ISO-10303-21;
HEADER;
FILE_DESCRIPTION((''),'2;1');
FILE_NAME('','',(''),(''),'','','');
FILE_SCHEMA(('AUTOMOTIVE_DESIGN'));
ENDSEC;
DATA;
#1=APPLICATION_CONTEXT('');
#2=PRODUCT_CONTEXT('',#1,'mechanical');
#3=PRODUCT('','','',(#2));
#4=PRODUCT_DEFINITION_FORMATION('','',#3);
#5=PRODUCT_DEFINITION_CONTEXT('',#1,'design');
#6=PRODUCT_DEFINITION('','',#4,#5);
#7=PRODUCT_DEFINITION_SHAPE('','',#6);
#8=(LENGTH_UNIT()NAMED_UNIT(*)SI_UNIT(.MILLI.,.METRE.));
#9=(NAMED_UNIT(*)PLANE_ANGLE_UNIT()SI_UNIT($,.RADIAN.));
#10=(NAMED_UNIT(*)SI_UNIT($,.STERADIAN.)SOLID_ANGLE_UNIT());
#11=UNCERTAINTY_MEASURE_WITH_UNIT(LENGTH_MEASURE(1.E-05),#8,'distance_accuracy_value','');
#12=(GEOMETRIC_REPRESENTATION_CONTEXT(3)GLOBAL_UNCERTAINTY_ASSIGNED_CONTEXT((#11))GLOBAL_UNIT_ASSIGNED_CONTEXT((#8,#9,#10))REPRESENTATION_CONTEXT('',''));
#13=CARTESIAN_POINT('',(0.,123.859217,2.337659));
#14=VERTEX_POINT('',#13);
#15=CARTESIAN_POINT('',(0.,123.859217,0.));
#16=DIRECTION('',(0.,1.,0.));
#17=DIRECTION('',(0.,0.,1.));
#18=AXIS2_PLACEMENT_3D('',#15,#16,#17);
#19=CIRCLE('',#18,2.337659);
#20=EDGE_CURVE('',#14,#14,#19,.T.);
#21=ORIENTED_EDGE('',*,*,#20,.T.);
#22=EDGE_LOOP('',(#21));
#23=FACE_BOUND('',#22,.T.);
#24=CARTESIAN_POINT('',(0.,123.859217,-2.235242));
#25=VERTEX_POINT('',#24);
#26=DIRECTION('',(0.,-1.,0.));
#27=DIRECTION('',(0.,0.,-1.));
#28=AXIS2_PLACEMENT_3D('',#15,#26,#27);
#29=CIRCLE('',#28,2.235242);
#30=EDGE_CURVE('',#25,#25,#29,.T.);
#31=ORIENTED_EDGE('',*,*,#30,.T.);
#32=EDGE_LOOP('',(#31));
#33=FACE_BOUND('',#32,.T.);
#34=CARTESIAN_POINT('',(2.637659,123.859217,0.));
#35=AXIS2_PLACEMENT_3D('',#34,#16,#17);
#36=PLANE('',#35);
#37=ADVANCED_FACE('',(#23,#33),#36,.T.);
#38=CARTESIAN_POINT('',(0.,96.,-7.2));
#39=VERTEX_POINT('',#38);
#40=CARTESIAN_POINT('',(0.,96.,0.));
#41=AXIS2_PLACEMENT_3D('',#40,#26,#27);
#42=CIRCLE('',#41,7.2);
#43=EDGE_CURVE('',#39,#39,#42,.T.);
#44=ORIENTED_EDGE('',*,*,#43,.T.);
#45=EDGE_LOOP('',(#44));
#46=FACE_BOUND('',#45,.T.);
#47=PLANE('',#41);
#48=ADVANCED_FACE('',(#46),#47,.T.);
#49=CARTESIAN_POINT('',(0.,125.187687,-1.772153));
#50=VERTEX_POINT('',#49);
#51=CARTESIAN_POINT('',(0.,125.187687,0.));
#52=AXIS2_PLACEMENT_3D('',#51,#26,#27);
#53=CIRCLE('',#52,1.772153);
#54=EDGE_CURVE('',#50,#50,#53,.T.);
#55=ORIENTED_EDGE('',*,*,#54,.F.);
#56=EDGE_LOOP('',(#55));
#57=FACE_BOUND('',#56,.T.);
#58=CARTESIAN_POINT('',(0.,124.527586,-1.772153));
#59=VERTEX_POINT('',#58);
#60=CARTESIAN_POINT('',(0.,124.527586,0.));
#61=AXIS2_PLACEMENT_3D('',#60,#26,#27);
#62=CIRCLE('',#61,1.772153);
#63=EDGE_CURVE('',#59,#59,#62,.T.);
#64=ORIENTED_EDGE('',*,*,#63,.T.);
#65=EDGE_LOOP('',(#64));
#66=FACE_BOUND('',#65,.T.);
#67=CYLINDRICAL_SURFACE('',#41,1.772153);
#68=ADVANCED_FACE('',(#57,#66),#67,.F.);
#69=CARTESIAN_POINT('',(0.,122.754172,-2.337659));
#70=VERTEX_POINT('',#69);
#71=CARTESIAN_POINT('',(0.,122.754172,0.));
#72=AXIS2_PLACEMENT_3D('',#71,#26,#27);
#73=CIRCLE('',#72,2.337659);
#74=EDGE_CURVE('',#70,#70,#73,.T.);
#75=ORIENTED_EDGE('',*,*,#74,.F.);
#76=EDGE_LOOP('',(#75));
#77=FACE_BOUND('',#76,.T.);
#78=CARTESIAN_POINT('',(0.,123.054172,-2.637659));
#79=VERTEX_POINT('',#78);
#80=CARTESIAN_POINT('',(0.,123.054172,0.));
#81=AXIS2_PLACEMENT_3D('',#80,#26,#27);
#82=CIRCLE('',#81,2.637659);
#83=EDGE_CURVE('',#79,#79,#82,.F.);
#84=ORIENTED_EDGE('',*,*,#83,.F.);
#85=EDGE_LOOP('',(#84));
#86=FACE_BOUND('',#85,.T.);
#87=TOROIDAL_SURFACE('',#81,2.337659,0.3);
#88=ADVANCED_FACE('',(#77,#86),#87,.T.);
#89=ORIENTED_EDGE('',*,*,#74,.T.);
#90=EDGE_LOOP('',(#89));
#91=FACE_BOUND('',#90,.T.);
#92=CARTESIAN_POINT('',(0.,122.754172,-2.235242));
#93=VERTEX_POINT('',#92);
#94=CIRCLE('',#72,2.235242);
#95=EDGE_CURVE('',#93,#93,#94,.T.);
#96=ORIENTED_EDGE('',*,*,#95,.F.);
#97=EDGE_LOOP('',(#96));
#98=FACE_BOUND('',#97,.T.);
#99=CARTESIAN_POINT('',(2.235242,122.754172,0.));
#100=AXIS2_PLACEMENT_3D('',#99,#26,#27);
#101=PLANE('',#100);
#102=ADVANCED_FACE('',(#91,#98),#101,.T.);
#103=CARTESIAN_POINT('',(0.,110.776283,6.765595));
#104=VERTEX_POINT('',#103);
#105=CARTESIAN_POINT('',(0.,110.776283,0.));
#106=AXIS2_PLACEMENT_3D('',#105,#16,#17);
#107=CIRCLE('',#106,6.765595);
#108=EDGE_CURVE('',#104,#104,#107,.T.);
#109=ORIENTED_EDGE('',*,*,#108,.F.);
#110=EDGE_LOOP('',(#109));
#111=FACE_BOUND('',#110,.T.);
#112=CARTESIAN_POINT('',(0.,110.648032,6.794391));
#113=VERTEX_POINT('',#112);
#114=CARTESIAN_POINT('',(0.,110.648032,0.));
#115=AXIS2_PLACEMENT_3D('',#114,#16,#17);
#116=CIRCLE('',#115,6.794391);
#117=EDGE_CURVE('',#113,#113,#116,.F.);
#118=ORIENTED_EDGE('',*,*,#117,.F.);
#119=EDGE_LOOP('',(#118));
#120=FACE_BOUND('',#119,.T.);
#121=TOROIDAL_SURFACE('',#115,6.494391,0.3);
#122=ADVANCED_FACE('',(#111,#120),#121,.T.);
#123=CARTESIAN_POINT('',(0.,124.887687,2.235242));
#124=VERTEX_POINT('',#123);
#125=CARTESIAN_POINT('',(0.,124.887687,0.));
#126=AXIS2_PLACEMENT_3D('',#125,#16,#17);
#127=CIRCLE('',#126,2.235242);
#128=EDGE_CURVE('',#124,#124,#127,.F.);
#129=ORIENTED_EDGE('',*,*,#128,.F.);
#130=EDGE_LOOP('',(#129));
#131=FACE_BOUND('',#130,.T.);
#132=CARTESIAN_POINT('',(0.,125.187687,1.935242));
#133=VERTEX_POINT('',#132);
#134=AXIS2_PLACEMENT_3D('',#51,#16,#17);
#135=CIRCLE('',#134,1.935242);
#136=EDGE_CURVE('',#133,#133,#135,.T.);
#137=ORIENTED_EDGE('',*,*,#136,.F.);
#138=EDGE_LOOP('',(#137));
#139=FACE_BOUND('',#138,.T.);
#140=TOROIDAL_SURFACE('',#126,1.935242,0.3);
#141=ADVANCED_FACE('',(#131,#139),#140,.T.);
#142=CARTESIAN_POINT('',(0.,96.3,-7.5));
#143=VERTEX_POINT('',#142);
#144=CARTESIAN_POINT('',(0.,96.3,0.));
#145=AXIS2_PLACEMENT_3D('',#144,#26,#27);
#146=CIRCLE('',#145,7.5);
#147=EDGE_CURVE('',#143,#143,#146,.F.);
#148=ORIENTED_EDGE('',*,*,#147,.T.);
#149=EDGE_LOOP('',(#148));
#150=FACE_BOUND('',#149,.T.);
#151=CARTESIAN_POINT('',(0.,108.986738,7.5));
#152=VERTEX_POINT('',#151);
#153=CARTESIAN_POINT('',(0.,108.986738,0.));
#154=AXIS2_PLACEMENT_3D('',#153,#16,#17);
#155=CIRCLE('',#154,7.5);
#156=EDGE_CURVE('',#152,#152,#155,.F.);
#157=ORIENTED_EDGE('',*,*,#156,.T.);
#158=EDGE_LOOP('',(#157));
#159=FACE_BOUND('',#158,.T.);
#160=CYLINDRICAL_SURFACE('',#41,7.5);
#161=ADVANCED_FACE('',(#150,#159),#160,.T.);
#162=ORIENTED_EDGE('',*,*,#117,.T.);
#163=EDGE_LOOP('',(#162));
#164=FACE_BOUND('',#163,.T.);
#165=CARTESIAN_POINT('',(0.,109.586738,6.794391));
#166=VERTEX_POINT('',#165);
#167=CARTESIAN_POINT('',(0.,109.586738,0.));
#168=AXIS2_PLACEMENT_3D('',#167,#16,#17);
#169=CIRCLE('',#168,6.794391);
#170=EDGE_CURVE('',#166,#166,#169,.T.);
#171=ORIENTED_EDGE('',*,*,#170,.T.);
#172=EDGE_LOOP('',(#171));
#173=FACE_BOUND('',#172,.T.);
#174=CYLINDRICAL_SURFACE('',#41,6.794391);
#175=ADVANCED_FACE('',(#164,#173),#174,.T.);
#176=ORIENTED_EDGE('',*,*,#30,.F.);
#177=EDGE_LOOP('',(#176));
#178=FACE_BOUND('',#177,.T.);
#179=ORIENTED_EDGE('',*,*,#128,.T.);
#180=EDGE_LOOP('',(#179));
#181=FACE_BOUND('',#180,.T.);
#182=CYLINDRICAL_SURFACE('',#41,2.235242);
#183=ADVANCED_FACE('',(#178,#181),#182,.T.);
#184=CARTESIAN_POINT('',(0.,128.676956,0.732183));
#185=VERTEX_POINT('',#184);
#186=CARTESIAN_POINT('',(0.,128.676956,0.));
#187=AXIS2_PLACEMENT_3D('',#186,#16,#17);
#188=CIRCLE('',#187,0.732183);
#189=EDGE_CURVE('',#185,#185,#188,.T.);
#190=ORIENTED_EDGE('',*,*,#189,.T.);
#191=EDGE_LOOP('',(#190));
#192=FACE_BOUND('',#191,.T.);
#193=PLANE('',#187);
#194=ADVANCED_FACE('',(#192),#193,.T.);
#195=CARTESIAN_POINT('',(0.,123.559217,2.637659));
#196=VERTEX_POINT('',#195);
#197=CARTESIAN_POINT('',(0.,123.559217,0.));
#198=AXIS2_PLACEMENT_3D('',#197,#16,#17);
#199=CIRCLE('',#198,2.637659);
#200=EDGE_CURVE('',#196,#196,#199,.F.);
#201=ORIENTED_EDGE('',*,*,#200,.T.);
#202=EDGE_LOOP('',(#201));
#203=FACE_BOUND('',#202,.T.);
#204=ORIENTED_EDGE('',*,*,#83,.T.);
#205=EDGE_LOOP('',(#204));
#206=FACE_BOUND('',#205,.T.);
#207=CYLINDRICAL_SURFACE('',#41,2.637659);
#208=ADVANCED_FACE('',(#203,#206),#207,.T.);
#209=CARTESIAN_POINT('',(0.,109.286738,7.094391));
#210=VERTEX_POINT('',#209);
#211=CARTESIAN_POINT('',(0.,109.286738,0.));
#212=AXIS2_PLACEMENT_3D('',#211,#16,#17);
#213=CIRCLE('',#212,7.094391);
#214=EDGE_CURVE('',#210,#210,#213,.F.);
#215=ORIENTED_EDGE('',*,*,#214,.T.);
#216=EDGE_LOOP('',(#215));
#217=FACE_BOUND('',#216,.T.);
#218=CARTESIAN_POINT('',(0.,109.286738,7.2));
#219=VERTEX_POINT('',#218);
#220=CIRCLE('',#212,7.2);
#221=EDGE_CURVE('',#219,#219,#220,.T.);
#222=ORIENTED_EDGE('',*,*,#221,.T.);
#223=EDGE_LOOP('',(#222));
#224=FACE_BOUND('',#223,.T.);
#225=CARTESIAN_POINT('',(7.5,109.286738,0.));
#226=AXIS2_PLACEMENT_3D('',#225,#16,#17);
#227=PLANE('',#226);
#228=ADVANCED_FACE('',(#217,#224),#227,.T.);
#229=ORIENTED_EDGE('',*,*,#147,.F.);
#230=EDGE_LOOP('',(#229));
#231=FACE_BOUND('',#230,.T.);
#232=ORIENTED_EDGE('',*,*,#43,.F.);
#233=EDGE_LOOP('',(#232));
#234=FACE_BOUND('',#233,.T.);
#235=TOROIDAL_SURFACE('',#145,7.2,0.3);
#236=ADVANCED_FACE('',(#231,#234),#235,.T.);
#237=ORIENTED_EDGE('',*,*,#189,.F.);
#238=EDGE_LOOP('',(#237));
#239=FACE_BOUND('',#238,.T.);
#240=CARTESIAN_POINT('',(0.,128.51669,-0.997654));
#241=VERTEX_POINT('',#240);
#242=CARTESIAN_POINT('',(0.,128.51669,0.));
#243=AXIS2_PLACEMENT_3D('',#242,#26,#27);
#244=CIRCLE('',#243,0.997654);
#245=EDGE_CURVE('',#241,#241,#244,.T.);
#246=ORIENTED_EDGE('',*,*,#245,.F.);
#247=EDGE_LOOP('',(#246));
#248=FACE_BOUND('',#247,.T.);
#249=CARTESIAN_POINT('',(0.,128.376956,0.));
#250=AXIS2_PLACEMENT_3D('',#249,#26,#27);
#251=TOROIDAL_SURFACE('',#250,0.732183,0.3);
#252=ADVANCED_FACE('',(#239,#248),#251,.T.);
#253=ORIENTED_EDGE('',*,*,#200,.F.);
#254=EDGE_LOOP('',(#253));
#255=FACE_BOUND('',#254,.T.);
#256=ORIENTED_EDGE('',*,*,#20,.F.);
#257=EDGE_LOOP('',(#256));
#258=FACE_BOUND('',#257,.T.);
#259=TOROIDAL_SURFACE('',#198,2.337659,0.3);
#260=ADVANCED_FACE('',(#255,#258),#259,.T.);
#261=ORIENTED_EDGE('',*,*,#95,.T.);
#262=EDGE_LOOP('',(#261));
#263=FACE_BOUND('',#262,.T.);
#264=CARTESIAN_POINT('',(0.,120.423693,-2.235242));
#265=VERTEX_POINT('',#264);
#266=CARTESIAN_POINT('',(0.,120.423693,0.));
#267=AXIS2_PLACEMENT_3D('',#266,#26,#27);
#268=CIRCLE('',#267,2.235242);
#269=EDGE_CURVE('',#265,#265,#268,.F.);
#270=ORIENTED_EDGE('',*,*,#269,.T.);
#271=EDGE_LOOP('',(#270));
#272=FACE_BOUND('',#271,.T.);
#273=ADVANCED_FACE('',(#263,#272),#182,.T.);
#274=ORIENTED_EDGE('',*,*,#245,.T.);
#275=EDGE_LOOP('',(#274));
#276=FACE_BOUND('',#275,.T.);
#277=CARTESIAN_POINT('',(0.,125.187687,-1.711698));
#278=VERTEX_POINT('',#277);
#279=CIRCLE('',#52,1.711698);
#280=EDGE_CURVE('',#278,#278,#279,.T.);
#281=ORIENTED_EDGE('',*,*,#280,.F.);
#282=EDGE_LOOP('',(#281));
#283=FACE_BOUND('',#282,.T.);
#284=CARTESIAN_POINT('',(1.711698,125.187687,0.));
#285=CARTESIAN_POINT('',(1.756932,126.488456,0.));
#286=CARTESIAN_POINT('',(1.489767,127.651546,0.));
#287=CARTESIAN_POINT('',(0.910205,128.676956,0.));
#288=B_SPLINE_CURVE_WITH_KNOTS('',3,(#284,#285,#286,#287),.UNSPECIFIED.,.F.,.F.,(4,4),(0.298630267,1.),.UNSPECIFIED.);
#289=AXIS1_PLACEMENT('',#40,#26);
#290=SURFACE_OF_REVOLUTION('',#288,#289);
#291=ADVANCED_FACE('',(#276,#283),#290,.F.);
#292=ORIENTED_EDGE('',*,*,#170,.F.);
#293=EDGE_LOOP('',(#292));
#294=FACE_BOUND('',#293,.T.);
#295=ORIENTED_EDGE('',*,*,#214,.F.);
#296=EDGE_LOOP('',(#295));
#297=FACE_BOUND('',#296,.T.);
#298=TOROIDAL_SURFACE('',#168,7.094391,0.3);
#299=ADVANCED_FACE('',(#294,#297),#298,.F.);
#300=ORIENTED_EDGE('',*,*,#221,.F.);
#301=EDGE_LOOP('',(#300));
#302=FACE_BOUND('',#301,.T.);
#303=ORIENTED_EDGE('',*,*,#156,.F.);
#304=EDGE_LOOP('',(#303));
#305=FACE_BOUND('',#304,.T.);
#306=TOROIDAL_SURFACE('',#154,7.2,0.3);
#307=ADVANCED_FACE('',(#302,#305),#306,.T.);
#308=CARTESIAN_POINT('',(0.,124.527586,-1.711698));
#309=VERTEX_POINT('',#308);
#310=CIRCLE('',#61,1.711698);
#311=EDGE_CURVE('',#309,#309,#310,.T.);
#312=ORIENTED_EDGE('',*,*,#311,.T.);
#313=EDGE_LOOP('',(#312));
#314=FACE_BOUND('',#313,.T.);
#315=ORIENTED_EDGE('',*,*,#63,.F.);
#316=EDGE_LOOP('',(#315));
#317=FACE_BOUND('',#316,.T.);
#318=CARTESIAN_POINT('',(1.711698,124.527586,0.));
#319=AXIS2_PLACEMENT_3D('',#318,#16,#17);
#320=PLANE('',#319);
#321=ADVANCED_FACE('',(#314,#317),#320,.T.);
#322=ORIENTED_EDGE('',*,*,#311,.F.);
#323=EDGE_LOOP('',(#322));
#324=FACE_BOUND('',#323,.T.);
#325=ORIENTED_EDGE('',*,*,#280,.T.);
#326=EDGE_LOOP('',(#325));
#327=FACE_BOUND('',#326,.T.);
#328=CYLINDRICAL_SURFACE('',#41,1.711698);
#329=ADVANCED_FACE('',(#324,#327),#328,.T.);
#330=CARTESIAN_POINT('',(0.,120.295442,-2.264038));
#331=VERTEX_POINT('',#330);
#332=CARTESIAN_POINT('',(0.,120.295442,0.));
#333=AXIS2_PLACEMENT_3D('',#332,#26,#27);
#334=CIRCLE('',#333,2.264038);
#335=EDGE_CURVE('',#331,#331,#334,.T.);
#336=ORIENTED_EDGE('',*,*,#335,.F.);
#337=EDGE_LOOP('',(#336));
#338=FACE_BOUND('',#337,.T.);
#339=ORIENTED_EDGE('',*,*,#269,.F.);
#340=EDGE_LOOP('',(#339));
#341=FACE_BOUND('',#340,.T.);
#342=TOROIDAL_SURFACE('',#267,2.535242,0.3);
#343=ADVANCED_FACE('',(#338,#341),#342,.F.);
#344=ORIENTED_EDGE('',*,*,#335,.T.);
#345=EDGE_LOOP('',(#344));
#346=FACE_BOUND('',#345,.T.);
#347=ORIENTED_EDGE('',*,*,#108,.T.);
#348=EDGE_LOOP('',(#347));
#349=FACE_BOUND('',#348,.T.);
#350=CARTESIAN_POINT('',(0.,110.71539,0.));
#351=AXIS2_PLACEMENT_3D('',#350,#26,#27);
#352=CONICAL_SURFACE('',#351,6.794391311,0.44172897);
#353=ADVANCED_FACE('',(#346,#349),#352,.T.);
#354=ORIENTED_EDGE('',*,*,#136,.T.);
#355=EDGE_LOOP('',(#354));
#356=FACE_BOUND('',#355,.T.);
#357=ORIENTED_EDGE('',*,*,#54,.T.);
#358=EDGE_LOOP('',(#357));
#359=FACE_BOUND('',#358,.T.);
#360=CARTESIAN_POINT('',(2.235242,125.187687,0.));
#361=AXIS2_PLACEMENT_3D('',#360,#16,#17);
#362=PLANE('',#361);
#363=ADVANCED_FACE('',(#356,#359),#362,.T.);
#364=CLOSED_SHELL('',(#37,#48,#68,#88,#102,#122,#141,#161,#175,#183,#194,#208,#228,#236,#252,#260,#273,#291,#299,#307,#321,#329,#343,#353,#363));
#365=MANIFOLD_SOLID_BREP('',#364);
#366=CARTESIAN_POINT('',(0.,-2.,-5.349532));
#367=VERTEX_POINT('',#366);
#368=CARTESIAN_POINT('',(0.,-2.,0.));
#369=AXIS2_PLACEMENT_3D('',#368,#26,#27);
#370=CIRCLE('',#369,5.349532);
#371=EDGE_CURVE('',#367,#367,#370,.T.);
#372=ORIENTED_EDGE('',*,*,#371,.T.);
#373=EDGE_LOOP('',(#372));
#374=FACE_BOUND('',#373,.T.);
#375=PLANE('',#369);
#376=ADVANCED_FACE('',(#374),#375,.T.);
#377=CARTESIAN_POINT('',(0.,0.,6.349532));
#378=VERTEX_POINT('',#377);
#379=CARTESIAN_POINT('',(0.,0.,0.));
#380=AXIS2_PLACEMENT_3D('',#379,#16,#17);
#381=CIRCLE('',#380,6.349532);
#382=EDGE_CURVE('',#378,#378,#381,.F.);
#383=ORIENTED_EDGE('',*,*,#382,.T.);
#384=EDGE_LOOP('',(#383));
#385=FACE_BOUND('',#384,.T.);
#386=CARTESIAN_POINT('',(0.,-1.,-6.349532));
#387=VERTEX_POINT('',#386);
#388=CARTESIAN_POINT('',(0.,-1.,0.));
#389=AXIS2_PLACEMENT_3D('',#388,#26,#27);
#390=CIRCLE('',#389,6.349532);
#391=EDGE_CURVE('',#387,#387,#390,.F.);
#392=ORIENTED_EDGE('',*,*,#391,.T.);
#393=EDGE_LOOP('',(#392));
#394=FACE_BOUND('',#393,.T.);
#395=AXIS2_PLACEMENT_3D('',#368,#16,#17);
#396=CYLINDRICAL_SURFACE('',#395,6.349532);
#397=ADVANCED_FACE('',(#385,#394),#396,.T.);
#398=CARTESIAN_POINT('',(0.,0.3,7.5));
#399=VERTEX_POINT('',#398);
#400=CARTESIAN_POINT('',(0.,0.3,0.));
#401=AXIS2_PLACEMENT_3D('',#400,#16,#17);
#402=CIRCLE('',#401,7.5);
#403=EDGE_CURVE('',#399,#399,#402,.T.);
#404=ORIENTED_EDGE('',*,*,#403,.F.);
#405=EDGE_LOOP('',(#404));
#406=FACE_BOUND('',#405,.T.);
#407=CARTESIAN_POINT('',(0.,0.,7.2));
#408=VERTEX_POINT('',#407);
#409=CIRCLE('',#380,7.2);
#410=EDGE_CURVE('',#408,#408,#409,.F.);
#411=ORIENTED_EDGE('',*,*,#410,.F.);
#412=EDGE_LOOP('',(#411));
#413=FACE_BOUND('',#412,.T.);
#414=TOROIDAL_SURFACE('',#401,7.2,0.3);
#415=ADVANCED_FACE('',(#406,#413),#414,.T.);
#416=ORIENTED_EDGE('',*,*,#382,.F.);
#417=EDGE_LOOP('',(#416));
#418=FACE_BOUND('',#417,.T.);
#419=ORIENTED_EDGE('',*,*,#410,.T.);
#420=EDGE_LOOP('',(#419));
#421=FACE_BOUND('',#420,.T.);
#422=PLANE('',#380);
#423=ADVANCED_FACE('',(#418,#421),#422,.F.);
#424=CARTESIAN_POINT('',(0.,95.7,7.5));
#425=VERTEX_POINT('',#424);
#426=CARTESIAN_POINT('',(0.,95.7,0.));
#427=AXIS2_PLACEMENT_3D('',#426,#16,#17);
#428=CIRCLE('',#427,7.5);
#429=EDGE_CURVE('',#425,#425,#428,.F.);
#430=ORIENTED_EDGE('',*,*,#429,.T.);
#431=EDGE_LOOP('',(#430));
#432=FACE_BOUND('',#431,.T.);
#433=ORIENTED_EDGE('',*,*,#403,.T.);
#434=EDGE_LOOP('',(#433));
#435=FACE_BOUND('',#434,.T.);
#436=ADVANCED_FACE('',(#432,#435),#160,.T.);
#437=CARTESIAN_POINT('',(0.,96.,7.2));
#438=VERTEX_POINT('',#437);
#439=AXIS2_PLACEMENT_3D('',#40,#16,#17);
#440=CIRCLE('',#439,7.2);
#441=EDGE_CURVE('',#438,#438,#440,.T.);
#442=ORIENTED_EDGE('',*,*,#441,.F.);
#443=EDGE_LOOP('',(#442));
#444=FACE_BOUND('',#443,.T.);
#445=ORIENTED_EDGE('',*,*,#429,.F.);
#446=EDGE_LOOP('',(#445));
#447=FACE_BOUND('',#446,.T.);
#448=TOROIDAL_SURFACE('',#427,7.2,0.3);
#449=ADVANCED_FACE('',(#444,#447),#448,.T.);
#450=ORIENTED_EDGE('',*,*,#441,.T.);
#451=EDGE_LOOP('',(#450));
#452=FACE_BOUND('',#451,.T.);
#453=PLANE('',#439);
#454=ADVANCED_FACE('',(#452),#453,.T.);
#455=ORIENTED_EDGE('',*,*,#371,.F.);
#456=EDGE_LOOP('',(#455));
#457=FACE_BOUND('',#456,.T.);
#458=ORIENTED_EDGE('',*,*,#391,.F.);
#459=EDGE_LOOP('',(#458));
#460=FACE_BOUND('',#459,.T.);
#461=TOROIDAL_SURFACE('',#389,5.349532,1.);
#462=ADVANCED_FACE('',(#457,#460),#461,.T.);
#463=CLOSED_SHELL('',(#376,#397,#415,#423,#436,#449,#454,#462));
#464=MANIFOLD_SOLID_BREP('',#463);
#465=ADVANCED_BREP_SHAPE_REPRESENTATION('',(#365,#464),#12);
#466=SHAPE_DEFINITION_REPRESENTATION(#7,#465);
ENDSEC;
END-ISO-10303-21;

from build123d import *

# Parameters (mm, degrees)
SKETCH1_R           = 7.5
BOSS_EXTRUDE1_DEPTH = 96
FILLET1_R           = 0.3
SKETCH2_R           = 6.349532221
BOSS_EXTRUDE2_DEPTH = 2
FILLET2_R           = 0.3
FILLET3_R           = 0.3
FILLET4_R           = 1


with BuildPart() as part:
    # Sketch1 → Boss-Extrude1 (new body)
    with BuildSketch(Plane(origin=(0, 0, 0), x_dir=(1, 0, 0), z_dir=(0, 1, 0))):
        with Locations(Location((0, 0, 0), (0, 0, 270))):
            Circle(SKETCH1_R)
    extrude(amount=BOSS_EXTRUDE1_DEPTH)

    # Fillet1
    fillet1_edges = [part.edges().sort_by_distance(p)[0] for p in [
        (0, 0, -7.5),
        (0, 96, -7.5),
    ]]
    fillet(fillet1_edges, radius=FILLET1_R)

    # Sketch2 → Boss-Extrude2 (add)
    with BuildSketch(Plane(origin=(0, 0, 0), x_dir=(-1, 0, 0), z_dir=(0, -1, 0))):
        with Locations(Location((0, 0, 0), (0, 0, 270))):
            Circle(SKETCH2_R)
    extrude(amount=BOSS_EXTRUDE2_DEPTH)

    # Fillet4
    fillet4_edges = [part.edges().sort_by_distance(p)[0] for p in [
        (0, -2, -6.349532221),
    ]]
    fillet(fillet4_edges, radius=FILLET4_R)


with BuildPart() as body_2:
    # Sketch3 → Revolve1 (revolve)
    with BuildSketch(Plane.XY, mode=Mode.PRIVATE) as revolve1_sk:
        with BuildLine():
            Line((0, 96), (0, 128.676956491))
            Line((0, 128.676956491), (0.910204856, 128.676956491))
            add(Edge.make_bspline(
                [(0.910204856, 128.676956491), (1.48976739, 127.651546017), (1.756931904, 126.488456163), (1.711698399, 125.187686929)],
                knots=[0.298630267, 0.298630267, 0.298630267, 0.298630267, 1, 1, 1, 1], degree=3))
            Line((1.711698399, 125.187686929), (1.711698399, 124.527585577))
            Line((1.711698399, 124.527585577), (1.77215292, 124.527585577))
            Line((1.77215292, 124.527585577), (1.77215292, 125.187686929))
            Line((1.77215292, 125.187686929), (2.235242332, 125.187686929))
            Line((2.235242332, 125.187686929), (2.235242332, 123.859216575))
            Line((2.235242332, 123.859216575), (2.637658521, 123.859216575))
            Line((2.637658521, 123.859216575), (2.637658521, 122.754171916))
            Line((2.637658521, 122.754171916), (2.235242332, 122.754171916))
            Line((2.235242332, 122.754171916), (2.235242332, 120.356334932))
            Line((2.235242332, 120.356334932), (6.794391311, 110.715390158))
            Line((6.794391311, 110.715390158), (6.794391311, 109.286737815))
            Line((6.794391311, 109.286737815), (7.5, 109.286737815))
            Line((7.5, 109.286737815), (7.5, 96))
            Line((7.5, 96), (0, 96))
        make_face()
    revolve(revolve1_sk.sketch.rotate(Axis((0, 96, 0), (0, 1, 0)), 90), axis=Axis((0, 96, 0), (0, 1, 0)))

    # Fillet2
    fillet2_edges = [body_2.edges().sort_by_distance(p)[0] for p in [
        (0, 96, 7.5),
    ]]
    fillet(fillet2_edges, radius=FILLET2_R)

    # Fillet3
    fillet3_edges = [body_2.edges().sort_by_distance(p)[0] for p in [
        (0, 128.676956491, 0.910204856),
        (0, 125.187686929, 2.235242332),
        (0, 123.859216575, 2.637658521),
        (0, 122.754171916, 2.637658521),
        (0, 120.356334932, 2.235242332),
        (0, 110.715390158, 6.794391311),
        (0, 109.286737815, 6.794391311),
        (0, 109.286737815, 7.5),
    ]]
    fillet(fillet3_edges, radius=FILLET3_R)


solid = Compound([part.part, body_2.part])
